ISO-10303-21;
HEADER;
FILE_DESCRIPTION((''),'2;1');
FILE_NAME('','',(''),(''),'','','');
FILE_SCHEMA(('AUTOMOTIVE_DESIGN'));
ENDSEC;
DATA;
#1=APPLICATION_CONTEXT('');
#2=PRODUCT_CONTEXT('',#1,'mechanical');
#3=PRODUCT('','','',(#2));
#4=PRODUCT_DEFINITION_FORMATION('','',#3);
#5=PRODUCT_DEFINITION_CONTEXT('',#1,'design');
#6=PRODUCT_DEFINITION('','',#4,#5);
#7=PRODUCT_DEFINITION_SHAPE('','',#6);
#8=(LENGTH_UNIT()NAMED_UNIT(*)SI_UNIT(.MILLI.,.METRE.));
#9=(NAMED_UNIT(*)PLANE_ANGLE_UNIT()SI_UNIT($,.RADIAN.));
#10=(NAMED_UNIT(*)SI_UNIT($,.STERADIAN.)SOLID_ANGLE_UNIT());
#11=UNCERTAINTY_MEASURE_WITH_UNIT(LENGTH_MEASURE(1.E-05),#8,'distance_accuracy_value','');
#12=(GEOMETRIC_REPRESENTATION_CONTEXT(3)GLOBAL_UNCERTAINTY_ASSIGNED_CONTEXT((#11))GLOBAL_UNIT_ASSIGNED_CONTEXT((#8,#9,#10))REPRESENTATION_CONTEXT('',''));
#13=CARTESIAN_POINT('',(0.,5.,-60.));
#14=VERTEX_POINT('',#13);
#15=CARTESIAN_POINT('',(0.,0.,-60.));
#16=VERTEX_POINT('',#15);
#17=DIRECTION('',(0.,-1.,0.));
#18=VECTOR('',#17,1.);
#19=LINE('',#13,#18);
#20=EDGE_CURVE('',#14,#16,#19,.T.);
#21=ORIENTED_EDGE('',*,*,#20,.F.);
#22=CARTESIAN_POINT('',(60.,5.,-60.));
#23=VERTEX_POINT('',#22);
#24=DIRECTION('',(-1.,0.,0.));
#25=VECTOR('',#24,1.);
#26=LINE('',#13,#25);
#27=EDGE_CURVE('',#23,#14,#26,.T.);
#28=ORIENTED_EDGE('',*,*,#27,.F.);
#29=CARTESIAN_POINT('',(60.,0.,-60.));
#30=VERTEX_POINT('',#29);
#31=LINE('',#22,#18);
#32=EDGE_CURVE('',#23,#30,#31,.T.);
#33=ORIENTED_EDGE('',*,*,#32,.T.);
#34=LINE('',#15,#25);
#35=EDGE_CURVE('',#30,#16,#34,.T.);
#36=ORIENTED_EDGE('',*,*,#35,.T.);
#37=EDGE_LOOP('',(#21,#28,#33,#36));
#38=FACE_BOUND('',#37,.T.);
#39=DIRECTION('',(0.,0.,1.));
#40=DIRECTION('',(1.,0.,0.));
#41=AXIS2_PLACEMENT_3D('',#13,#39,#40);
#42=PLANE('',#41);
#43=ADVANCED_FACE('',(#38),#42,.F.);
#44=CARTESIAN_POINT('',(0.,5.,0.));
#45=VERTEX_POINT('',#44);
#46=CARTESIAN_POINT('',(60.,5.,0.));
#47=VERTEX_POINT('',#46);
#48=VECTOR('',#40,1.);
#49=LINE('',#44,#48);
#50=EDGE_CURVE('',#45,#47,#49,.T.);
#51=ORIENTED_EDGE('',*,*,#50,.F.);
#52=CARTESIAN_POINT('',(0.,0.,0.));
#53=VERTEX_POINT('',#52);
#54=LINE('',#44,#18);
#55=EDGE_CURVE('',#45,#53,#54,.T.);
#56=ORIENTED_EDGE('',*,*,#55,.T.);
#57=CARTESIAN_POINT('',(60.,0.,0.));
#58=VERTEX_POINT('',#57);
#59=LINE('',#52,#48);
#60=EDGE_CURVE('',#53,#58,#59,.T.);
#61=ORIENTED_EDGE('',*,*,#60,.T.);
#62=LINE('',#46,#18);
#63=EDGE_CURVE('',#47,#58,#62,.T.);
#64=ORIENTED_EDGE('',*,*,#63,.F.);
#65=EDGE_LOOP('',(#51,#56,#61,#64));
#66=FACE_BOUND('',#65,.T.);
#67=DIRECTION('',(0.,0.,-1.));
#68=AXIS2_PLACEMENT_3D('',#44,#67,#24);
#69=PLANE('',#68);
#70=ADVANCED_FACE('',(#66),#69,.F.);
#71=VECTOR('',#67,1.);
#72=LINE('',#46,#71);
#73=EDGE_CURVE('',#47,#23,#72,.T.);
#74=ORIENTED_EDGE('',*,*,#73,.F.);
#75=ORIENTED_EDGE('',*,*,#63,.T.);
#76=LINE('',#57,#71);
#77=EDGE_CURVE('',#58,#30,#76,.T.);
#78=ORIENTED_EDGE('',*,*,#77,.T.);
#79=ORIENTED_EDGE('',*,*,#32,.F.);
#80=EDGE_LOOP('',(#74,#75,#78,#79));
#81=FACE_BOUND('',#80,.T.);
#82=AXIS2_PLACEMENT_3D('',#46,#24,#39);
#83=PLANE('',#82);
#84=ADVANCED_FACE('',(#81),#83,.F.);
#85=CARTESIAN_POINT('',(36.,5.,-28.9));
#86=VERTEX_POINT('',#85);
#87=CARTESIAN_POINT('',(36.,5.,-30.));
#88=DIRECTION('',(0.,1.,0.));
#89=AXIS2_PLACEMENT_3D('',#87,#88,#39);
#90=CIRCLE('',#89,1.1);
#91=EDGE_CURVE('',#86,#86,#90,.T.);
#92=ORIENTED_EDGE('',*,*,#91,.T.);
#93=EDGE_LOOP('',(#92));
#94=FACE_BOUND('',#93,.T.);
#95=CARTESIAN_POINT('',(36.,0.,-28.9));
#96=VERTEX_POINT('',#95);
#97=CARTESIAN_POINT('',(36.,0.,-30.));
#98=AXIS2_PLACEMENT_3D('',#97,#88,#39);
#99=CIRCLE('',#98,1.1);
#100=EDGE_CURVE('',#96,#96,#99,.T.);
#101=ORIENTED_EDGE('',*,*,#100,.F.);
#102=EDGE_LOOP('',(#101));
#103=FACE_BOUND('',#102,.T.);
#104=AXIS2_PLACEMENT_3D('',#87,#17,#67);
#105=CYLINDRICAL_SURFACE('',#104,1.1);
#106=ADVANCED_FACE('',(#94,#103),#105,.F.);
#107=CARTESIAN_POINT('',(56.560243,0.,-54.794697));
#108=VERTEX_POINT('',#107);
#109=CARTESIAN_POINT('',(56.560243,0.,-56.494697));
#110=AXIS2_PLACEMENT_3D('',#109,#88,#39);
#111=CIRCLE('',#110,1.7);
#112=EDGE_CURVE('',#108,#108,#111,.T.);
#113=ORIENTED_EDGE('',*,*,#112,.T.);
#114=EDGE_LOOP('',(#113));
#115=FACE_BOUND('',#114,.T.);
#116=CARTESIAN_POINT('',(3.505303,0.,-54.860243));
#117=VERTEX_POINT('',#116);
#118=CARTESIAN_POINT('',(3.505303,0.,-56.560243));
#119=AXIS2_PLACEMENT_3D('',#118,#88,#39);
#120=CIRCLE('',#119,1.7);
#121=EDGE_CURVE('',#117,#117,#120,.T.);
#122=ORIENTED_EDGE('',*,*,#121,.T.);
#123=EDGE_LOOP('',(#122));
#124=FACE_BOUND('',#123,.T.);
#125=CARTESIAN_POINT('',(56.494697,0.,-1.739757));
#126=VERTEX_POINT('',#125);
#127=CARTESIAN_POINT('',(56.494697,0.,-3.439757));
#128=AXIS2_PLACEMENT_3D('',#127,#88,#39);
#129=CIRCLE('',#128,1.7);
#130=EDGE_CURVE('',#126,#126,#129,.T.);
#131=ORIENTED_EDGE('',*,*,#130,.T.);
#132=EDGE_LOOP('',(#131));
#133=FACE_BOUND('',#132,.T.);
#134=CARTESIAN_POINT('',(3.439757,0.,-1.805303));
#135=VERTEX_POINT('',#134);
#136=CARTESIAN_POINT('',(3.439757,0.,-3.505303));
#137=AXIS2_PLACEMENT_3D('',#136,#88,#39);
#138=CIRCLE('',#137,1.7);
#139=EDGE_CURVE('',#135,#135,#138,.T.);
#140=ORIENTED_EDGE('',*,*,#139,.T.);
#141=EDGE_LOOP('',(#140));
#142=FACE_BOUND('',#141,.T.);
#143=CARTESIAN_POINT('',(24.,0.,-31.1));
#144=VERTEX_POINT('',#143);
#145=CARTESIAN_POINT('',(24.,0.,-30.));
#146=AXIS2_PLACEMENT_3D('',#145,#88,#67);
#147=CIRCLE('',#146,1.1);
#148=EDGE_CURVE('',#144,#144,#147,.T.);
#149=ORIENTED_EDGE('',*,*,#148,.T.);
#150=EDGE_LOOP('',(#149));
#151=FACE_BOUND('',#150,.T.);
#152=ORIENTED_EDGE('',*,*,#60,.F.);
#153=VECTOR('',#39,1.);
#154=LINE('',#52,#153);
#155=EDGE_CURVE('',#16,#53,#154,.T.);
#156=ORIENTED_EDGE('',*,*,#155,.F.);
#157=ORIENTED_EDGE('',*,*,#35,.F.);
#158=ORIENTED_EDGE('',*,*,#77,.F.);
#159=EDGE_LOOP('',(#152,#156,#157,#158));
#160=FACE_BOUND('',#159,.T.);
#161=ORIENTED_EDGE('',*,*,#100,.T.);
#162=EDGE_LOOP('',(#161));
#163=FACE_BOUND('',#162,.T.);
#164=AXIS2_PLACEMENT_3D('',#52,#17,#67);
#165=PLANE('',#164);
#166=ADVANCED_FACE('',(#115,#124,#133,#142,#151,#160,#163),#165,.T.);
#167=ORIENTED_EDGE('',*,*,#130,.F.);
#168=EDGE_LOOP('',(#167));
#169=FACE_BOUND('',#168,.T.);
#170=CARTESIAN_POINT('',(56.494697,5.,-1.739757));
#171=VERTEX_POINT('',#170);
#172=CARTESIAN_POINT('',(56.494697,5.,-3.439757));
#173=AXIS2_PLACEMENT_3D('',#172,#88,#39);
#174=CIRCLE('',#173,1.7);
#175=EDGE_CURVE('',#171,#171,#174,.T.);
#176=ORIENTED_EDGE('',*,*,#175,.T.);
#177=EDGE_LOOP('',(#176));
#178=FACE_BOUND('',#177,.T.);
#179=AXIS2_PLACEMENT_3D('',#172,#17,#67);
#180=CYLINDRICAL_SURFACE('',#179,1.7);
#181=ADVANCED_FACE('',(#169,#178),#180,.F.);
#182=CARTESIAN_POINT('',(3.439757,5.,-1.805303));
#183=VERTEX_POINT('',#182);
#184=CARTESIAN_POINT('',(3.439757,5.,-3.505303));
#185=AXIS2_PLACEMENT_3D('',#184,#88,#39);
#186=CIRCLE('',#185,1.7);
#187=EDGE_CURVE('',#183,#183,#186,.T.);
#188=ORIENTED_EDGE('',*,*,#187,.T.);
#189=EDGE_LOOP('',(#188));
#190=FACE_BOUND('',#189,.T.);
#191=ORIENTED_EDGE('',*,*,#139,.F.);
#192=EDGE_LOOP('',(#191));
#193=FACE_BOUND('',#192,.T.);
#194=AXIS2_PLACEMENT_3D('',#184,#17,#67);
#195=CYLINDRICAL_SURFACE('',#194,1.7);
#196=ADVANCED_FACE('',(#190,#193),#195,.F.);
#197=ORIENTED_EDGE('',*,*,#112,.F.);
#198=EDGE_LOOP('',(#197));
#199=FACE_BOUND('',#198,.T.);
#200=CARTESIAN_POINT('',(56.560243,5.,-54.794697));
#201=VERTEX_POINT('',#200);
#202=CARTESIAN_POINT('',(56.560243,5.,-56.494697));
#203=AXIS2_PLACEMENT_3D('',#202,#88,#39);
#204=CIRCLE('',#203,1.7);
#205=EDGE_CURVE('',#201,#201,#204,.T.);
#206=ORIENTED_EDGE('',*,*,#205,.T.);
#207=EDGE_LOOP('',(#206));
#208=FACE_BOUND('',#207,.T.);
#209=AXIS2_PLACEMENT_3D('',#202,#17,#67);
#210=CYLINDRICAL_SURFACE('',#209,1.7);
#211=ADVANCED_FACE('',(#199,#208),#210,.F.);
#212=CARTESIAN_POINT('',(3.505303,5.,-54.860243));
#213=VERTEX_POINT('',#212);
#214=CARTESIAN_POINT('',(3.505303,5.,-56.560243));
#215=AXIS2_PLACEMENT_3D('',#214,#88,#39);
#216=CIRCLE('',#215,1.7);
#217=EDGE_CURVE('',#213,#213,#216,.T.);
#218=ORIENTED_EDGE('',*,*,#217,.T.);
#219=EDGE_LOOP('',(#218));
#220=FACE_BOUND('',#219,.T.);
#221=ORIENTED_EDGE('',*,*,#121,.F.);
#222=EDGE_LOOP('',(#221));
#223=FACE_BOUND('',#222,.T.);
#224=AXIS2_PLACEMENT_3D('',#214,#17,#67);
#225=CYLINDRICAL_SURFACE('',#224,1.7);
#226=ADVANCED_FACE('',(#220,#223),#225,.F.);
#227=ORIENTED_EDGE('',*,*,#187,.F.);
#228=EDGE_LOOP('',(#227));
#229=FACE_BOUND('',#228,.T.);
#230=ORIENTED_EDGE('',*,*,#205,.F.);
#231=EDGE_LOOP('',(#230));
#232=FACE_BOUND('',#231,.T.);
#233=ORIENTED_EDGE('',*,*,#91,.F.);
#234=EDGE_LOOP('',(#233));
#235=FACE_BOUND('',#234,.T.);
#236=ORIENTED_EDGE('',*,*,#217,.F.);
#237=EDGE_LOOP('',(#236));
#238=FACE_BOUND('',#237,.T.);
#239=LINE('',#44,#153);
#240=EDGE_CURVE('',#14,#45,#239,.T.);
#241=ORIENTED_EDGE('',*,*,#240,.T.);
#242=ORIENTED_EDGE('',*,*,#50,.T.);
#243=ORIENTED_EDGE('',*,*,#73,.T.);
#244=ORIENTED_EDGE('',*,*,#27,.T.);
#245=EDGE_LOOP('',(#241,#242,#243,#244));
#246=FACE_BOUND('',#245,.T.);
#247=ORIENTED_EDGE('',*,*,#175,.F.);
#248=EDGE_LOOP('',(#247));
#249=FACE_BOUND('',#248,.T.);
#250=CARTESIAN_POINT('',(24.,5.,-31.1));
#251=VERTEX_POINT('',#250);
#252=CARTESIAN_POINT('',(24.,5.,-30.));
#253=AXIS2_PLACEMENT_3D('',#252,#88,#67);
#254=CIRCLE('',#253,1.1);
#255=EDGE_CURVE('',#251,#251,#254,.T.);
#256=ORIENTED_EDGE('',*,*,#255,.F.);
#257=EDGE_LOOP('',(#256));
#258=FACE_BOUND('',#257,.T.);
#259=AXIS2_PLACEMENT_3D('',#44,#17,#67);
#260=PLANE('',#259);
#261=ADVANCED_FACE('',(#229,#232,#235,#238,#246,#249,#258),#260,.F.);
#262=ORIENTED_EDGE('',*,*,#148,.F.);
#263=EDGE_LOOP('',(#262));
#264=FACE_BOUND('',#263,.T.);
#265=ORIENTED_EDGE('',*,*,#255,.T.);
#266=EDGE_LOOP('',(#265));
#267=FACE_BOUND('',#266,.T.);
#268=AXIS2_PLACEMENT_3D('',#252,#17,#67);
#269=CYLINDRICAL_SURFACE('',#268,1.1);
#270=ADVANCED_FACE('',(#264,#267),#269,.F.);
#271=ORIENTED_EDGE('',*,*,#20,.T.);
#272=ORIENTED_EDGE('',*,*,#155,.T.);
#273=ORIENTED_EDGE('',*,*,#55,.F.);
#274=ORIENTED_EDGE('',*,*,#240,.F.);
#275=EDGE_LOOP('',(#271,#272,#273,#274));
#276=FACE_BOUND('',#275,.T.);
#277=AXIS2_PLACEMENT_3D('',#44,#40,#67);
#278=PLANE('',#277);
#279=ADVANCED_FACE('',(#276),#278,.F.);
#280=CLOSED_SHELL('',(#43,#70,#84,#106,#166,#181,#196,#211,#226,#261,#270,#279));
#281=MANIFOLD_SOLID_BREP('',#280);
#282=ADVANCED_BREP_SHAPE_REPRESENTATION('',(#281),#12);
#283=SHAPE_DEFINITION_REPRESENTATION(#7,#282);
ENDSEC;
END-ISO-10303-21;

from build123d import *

# Parameters (mm, degrees)
SKETCH_3_W      = 60
SKETCH_3_H      = 60
SKETCH_3_R      = 1.1
SKETCH_3_R_2    = 1.7
EXTRUDE_1_DEPTH = 5


with BuildPart() as part:
    # 草图3 → 凸台-拉伸1 (new body)
    with BuildSketch(Plane(origin=(0, 0, 0), x_dir=(1, 0, 0), z_dir=(0, 1, 0))):
        with Locations((30, 30)):
            Rectangle(SKETCH_3_W, SKETCH_3_H)
        with Locations(Location((36, 30, 0), (0, 0, 270))):
            Circle(SKETCH_3_R, mode=Mode.SUBTRACT)
        with Locations(Location((24, 30, 0), (0, 0, 90))):
            Circle(SKETCH_3_R, mode=Mode.SUBTRACT)
        with Locations(Location((3.505302868, 56.560243153, 0), (0, 0, 270))):
            Circle(SKETCH_3_R_2, mode=Mode.SUBTRACT)
        with Locations(Location((56.560243153, 56.494697132, 0), (0, 0, 270))):
            Circle(SKETCH_3_R_2, mode=Mode.SUBTRACT)
        with Locations(Location((56.494697132, 3.439756847, 0), (0, 0, 270))):
            Circle(SKETCH_3_R_2, mode=Mode.SUBTRACT)
        with Locations(Location((3.439756847, 3.505302868, 0), (0, 0, 270))):
            Circle(SKETCH_3_R_2, mode=Mode.SUBTRACT)
    extrude(amount=EXTRUDE_1_DEPTH)


solid = part.part
